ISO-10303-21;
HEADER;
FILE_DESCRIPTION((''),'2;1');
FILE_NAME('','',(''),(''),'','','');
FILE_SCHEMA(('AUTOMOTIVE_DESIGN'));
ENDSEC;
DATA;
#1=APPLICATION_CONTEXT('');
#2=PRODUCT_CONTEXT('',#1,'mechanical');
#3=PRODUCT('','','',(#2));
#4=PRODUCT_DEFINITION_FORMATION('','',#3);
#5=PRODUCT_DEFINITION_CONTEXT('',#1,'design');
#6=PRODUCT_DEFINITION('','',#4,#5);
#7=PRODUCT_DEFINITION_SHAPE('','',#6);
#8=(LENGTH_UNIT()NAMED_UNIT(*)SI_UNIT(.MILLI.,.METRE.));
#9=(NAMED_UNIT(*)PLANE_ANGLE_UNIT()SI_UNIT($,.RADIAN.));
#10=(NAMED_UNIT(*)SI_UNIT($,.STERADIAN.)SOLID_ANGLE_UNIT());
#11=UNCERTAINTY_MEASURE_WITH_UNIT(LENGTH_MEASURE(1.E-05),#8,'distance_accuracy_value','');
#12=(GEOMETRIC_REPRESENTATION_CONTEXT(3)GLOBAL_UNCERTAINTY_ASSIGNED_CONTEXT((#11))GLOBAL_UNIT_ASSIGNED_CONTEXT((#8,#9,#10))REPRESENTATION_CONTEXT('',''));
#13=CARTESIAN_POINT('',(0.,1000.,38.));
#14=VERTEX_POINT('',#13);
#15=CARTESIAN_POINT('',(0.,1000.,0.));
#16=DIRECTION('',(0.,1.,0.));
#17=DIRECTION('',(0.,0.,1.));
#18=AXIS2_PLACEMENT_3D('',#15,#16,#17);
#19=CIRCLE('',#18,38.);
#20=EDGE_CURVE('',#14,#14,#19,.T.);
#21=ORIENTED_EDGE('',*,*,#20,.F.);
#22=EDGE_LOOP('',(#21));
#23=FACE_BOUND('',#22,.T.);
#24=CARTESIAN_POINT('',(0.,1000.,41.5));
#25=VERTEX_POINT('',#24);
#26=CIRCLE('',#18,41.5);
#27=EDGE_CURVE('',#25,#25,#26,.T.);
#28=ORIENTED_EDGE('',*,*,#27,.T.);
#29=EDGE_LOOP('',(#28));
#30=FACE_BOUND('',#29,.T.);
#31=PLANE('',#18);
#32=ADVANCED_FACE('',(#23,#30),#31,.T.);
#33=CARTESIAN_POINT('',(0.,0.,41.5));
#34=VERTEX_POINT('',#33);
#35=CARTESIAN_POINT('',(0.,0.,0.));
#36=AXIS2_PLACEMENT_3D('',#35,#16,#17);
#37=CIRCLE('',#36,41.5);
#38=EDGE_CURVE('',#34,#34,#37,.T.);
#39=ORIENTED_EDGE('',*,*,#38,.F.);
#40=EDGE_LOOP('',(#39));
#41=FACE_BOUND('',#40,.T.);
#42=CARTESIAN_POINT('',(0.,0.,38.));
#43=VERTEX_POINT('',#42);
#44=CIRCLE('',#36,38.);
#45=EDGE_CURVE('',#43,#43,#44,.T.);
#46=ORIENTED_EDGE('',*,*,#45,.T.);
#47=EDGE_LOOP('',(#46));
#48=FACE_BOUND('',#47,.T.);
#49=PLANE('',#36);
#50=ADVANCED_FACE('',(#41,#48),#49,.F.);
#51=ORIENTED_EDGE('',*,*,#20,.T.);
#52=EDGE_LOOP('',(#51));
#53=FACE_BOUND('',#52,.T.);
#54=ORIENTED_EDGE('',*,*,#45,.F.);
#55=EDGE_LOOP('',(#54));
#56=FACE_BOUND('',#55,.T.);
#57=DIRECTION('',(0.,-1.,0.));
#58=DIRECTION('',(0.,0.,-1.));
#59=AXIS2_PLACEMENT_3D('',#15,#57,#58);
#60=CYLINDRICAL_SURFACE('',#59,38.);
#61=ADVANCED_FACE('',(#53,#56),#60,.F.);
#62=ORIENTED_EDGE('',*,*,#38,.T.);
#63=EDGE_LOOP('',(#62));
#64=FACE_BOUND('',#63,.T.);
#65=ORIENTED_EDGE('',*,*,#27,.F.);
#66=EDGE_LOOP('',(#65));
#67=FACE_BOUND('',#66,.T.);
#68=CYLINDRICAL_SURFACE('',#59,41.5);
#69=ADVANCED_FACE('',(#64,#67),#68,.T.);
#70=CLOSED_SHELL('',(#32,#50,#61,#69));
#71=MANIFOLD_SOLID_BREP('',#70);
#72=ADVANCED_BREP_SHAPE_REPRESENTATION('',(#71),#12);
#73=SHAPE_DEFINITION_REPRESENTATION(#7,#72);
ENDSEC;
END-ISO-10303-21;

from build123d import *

# Parameters (mm, degrees)
SKETCH1_R           = 41.5
SKETCH1_R_2         = 38
BOSS_EXTRUDE1_DEPTH = 1000


with BuildPart() as part:
    # Sketch1 → Boss-Extrude1 (new body)
    with BuildSketch(Plane(origin=(0, 0, 0), x_dir=(1, 0, 0), z_dir=(0, 1, 0))):
        Circle(SKETCH1_R)
        Circle(SKETCH1_R_2, mode=Mode.SUBTRACT)
    extrude(amount=BOSS_EXTRUDE1_DEPTH)


solid = part.part
